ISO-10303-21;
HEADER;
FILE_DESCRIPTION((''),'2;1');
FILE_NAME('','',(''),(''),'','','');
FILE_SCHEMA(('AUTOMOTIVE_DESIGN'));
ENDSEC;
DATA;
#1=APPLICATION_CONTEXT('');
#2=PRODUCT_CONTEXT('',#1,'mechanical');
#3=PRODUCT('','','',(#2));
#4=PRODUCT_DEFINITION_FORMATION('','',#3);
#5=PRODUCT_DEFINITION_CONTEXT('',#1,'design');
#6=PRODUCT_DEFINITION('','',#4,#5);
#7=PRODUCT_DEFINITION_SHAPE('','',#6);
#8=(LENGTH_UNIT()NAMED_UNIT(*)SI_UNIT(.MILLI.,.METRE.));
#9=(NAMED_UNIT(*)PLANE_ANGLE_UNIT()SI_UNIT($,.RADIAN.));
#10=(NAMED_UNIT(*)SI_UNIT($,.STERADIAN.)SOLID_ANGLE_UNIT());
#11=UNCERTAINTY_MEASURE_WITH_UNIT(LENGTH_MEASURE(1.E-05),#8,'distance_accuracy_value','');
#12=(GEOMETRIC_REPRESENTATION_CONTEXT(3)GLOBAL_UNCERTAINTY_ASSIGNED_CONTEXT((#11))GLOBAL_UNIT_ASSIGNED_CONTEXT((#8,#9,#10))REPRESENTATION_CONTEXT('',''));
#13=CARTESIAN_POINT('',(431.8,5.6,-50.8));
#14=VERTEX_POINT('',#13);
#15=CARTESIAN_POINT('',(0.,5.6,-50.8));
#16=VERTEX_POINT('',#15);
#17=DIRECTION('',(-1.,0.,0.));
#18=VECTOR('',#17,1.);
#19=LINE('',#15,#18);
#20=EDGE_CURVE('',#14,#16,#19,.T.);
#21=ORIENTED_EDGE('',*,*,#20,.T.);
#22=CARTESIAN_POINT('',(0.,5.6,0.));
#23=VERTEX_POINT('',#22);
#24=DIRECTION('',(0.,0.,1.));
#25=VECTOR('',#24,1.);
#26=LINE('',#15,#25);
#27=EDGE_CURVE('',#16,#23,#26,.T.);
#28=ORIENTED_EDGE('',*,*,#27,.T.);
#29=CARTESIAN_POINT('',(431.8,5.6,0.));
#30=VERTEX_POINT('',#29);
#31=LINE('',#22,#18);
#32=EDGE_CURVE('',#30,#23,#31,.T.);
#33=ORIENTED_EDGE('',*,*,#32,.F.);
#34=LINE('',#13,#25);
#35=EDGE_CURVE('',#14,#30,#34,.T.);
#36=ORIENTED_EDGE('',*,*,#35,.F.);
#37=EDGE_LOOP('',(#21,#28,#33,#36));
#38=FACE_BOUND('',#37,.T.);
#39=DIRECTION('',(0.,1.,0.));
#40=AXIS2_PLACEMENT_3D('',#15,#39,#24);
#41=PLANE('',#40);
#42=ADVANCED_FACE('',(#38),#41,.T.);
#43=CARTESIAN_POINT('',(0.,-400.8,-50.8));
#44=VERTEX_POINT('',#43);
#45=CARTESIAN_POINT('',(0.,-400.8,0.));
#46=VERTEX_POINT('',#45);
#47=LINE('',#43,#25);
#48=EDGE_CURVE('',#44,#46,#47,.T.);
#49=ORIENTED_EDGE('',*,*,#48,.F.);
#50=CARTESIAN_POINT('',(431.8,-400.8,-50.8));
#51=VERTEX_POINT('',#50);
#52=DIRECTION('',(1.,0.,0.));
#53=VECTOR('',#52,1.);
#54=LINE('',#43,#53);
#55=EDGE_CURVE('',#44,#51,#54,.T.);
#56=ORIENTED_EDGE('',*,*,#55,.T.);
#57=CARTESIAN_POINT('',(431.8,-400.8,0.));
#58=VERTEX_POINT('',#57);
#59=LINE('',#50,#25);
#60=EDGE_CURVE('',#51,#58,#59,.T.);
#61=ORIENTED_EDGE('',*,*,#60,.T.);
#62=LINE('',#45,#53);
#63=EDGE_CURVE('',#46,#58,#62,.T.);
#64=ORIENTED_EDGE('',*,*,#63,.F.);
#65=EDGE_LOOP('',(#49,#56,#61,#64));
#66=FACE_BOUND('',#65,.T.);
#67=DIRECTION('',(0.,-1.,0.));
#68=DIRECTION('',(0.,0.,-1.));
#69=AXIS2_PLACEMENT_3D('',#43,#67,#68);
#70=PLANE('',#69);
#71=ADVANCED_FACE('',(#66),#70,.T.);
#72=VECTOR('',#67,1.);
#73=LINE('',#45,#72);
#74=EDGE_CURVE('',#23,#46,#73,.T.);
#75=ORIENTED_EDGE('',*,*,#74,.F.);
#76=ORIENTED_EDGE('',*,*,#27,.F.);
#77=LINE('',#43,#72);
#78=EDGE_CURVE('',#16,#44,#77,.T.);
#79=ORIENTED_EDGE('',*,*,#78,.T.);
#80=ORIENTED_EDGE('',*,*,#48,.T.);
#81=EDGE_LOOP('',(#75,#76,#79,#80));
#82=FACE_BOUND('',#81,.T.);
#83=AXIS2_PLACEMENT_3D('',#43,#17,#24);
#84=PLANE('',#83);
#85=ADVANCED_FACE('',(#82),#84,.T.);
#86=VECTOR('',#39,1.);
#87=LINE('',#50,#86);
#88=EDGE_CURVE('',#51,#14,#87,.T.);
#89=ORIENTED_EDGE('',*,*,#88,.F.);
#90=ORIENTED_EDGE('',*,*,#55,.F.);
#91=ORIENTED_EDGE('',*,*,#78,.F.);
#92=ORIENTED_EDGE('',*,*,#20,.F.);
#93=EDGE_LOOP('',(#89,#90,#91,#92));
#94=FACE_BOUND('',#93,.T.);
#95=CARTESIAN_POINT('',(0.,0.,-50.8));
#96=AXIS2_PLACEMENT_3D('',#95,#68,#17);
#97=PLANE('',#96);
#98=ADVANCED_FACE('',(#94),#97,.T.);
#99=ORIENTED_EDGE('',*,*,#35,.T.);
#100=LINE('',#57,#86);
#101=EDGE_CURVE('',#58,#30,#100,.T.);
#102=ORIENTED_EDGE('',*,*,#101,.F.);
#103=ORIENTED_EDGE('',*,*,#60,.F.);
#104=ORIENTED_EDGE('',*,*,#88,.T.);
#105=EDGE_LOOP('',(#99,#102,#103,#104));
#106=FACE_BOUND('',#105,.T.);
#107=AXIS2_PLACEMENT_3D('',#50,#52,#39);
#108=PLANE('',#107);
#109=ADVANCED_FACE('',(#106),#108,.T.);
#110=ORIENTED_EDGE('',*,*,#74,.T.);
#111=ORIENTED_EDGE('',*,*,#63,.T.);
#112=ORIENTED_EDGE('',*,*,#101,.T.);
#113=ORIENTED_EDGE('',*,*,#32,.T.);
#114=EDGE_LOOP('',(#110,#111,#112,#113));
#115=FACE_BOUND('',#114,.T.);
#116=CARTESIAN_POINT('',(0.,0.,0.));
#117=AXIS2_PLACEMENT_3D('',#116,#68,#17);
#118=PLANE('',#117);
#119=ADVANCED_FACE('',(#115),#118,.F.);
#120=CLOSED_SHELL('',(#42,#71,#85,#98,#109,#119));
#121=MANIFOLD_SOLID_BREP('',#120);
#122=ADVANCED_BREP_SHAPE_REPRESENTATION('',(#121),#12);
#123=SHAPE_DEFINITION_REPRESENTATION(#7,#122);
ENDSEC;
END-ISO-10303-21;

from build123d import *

# Parameters (mm, degrees)
SKETCH1_W           = 431.8
SKETCH1_H           = 406.4
BOSS_EXTRUDE1_DEPTH = 50.8


with BuildPart() as part:
    # Sketch1 → Boss-Extrude1 (new body)
    with BuildSketch(Plane.XY):
        with Locations((215.9, -197.6)):
            Rectangle(SKETCH1_W, SKETCH1_H)
    extrude(amount=-BOSS_EXTRUDE1_DEPTH)


solid = part.part
